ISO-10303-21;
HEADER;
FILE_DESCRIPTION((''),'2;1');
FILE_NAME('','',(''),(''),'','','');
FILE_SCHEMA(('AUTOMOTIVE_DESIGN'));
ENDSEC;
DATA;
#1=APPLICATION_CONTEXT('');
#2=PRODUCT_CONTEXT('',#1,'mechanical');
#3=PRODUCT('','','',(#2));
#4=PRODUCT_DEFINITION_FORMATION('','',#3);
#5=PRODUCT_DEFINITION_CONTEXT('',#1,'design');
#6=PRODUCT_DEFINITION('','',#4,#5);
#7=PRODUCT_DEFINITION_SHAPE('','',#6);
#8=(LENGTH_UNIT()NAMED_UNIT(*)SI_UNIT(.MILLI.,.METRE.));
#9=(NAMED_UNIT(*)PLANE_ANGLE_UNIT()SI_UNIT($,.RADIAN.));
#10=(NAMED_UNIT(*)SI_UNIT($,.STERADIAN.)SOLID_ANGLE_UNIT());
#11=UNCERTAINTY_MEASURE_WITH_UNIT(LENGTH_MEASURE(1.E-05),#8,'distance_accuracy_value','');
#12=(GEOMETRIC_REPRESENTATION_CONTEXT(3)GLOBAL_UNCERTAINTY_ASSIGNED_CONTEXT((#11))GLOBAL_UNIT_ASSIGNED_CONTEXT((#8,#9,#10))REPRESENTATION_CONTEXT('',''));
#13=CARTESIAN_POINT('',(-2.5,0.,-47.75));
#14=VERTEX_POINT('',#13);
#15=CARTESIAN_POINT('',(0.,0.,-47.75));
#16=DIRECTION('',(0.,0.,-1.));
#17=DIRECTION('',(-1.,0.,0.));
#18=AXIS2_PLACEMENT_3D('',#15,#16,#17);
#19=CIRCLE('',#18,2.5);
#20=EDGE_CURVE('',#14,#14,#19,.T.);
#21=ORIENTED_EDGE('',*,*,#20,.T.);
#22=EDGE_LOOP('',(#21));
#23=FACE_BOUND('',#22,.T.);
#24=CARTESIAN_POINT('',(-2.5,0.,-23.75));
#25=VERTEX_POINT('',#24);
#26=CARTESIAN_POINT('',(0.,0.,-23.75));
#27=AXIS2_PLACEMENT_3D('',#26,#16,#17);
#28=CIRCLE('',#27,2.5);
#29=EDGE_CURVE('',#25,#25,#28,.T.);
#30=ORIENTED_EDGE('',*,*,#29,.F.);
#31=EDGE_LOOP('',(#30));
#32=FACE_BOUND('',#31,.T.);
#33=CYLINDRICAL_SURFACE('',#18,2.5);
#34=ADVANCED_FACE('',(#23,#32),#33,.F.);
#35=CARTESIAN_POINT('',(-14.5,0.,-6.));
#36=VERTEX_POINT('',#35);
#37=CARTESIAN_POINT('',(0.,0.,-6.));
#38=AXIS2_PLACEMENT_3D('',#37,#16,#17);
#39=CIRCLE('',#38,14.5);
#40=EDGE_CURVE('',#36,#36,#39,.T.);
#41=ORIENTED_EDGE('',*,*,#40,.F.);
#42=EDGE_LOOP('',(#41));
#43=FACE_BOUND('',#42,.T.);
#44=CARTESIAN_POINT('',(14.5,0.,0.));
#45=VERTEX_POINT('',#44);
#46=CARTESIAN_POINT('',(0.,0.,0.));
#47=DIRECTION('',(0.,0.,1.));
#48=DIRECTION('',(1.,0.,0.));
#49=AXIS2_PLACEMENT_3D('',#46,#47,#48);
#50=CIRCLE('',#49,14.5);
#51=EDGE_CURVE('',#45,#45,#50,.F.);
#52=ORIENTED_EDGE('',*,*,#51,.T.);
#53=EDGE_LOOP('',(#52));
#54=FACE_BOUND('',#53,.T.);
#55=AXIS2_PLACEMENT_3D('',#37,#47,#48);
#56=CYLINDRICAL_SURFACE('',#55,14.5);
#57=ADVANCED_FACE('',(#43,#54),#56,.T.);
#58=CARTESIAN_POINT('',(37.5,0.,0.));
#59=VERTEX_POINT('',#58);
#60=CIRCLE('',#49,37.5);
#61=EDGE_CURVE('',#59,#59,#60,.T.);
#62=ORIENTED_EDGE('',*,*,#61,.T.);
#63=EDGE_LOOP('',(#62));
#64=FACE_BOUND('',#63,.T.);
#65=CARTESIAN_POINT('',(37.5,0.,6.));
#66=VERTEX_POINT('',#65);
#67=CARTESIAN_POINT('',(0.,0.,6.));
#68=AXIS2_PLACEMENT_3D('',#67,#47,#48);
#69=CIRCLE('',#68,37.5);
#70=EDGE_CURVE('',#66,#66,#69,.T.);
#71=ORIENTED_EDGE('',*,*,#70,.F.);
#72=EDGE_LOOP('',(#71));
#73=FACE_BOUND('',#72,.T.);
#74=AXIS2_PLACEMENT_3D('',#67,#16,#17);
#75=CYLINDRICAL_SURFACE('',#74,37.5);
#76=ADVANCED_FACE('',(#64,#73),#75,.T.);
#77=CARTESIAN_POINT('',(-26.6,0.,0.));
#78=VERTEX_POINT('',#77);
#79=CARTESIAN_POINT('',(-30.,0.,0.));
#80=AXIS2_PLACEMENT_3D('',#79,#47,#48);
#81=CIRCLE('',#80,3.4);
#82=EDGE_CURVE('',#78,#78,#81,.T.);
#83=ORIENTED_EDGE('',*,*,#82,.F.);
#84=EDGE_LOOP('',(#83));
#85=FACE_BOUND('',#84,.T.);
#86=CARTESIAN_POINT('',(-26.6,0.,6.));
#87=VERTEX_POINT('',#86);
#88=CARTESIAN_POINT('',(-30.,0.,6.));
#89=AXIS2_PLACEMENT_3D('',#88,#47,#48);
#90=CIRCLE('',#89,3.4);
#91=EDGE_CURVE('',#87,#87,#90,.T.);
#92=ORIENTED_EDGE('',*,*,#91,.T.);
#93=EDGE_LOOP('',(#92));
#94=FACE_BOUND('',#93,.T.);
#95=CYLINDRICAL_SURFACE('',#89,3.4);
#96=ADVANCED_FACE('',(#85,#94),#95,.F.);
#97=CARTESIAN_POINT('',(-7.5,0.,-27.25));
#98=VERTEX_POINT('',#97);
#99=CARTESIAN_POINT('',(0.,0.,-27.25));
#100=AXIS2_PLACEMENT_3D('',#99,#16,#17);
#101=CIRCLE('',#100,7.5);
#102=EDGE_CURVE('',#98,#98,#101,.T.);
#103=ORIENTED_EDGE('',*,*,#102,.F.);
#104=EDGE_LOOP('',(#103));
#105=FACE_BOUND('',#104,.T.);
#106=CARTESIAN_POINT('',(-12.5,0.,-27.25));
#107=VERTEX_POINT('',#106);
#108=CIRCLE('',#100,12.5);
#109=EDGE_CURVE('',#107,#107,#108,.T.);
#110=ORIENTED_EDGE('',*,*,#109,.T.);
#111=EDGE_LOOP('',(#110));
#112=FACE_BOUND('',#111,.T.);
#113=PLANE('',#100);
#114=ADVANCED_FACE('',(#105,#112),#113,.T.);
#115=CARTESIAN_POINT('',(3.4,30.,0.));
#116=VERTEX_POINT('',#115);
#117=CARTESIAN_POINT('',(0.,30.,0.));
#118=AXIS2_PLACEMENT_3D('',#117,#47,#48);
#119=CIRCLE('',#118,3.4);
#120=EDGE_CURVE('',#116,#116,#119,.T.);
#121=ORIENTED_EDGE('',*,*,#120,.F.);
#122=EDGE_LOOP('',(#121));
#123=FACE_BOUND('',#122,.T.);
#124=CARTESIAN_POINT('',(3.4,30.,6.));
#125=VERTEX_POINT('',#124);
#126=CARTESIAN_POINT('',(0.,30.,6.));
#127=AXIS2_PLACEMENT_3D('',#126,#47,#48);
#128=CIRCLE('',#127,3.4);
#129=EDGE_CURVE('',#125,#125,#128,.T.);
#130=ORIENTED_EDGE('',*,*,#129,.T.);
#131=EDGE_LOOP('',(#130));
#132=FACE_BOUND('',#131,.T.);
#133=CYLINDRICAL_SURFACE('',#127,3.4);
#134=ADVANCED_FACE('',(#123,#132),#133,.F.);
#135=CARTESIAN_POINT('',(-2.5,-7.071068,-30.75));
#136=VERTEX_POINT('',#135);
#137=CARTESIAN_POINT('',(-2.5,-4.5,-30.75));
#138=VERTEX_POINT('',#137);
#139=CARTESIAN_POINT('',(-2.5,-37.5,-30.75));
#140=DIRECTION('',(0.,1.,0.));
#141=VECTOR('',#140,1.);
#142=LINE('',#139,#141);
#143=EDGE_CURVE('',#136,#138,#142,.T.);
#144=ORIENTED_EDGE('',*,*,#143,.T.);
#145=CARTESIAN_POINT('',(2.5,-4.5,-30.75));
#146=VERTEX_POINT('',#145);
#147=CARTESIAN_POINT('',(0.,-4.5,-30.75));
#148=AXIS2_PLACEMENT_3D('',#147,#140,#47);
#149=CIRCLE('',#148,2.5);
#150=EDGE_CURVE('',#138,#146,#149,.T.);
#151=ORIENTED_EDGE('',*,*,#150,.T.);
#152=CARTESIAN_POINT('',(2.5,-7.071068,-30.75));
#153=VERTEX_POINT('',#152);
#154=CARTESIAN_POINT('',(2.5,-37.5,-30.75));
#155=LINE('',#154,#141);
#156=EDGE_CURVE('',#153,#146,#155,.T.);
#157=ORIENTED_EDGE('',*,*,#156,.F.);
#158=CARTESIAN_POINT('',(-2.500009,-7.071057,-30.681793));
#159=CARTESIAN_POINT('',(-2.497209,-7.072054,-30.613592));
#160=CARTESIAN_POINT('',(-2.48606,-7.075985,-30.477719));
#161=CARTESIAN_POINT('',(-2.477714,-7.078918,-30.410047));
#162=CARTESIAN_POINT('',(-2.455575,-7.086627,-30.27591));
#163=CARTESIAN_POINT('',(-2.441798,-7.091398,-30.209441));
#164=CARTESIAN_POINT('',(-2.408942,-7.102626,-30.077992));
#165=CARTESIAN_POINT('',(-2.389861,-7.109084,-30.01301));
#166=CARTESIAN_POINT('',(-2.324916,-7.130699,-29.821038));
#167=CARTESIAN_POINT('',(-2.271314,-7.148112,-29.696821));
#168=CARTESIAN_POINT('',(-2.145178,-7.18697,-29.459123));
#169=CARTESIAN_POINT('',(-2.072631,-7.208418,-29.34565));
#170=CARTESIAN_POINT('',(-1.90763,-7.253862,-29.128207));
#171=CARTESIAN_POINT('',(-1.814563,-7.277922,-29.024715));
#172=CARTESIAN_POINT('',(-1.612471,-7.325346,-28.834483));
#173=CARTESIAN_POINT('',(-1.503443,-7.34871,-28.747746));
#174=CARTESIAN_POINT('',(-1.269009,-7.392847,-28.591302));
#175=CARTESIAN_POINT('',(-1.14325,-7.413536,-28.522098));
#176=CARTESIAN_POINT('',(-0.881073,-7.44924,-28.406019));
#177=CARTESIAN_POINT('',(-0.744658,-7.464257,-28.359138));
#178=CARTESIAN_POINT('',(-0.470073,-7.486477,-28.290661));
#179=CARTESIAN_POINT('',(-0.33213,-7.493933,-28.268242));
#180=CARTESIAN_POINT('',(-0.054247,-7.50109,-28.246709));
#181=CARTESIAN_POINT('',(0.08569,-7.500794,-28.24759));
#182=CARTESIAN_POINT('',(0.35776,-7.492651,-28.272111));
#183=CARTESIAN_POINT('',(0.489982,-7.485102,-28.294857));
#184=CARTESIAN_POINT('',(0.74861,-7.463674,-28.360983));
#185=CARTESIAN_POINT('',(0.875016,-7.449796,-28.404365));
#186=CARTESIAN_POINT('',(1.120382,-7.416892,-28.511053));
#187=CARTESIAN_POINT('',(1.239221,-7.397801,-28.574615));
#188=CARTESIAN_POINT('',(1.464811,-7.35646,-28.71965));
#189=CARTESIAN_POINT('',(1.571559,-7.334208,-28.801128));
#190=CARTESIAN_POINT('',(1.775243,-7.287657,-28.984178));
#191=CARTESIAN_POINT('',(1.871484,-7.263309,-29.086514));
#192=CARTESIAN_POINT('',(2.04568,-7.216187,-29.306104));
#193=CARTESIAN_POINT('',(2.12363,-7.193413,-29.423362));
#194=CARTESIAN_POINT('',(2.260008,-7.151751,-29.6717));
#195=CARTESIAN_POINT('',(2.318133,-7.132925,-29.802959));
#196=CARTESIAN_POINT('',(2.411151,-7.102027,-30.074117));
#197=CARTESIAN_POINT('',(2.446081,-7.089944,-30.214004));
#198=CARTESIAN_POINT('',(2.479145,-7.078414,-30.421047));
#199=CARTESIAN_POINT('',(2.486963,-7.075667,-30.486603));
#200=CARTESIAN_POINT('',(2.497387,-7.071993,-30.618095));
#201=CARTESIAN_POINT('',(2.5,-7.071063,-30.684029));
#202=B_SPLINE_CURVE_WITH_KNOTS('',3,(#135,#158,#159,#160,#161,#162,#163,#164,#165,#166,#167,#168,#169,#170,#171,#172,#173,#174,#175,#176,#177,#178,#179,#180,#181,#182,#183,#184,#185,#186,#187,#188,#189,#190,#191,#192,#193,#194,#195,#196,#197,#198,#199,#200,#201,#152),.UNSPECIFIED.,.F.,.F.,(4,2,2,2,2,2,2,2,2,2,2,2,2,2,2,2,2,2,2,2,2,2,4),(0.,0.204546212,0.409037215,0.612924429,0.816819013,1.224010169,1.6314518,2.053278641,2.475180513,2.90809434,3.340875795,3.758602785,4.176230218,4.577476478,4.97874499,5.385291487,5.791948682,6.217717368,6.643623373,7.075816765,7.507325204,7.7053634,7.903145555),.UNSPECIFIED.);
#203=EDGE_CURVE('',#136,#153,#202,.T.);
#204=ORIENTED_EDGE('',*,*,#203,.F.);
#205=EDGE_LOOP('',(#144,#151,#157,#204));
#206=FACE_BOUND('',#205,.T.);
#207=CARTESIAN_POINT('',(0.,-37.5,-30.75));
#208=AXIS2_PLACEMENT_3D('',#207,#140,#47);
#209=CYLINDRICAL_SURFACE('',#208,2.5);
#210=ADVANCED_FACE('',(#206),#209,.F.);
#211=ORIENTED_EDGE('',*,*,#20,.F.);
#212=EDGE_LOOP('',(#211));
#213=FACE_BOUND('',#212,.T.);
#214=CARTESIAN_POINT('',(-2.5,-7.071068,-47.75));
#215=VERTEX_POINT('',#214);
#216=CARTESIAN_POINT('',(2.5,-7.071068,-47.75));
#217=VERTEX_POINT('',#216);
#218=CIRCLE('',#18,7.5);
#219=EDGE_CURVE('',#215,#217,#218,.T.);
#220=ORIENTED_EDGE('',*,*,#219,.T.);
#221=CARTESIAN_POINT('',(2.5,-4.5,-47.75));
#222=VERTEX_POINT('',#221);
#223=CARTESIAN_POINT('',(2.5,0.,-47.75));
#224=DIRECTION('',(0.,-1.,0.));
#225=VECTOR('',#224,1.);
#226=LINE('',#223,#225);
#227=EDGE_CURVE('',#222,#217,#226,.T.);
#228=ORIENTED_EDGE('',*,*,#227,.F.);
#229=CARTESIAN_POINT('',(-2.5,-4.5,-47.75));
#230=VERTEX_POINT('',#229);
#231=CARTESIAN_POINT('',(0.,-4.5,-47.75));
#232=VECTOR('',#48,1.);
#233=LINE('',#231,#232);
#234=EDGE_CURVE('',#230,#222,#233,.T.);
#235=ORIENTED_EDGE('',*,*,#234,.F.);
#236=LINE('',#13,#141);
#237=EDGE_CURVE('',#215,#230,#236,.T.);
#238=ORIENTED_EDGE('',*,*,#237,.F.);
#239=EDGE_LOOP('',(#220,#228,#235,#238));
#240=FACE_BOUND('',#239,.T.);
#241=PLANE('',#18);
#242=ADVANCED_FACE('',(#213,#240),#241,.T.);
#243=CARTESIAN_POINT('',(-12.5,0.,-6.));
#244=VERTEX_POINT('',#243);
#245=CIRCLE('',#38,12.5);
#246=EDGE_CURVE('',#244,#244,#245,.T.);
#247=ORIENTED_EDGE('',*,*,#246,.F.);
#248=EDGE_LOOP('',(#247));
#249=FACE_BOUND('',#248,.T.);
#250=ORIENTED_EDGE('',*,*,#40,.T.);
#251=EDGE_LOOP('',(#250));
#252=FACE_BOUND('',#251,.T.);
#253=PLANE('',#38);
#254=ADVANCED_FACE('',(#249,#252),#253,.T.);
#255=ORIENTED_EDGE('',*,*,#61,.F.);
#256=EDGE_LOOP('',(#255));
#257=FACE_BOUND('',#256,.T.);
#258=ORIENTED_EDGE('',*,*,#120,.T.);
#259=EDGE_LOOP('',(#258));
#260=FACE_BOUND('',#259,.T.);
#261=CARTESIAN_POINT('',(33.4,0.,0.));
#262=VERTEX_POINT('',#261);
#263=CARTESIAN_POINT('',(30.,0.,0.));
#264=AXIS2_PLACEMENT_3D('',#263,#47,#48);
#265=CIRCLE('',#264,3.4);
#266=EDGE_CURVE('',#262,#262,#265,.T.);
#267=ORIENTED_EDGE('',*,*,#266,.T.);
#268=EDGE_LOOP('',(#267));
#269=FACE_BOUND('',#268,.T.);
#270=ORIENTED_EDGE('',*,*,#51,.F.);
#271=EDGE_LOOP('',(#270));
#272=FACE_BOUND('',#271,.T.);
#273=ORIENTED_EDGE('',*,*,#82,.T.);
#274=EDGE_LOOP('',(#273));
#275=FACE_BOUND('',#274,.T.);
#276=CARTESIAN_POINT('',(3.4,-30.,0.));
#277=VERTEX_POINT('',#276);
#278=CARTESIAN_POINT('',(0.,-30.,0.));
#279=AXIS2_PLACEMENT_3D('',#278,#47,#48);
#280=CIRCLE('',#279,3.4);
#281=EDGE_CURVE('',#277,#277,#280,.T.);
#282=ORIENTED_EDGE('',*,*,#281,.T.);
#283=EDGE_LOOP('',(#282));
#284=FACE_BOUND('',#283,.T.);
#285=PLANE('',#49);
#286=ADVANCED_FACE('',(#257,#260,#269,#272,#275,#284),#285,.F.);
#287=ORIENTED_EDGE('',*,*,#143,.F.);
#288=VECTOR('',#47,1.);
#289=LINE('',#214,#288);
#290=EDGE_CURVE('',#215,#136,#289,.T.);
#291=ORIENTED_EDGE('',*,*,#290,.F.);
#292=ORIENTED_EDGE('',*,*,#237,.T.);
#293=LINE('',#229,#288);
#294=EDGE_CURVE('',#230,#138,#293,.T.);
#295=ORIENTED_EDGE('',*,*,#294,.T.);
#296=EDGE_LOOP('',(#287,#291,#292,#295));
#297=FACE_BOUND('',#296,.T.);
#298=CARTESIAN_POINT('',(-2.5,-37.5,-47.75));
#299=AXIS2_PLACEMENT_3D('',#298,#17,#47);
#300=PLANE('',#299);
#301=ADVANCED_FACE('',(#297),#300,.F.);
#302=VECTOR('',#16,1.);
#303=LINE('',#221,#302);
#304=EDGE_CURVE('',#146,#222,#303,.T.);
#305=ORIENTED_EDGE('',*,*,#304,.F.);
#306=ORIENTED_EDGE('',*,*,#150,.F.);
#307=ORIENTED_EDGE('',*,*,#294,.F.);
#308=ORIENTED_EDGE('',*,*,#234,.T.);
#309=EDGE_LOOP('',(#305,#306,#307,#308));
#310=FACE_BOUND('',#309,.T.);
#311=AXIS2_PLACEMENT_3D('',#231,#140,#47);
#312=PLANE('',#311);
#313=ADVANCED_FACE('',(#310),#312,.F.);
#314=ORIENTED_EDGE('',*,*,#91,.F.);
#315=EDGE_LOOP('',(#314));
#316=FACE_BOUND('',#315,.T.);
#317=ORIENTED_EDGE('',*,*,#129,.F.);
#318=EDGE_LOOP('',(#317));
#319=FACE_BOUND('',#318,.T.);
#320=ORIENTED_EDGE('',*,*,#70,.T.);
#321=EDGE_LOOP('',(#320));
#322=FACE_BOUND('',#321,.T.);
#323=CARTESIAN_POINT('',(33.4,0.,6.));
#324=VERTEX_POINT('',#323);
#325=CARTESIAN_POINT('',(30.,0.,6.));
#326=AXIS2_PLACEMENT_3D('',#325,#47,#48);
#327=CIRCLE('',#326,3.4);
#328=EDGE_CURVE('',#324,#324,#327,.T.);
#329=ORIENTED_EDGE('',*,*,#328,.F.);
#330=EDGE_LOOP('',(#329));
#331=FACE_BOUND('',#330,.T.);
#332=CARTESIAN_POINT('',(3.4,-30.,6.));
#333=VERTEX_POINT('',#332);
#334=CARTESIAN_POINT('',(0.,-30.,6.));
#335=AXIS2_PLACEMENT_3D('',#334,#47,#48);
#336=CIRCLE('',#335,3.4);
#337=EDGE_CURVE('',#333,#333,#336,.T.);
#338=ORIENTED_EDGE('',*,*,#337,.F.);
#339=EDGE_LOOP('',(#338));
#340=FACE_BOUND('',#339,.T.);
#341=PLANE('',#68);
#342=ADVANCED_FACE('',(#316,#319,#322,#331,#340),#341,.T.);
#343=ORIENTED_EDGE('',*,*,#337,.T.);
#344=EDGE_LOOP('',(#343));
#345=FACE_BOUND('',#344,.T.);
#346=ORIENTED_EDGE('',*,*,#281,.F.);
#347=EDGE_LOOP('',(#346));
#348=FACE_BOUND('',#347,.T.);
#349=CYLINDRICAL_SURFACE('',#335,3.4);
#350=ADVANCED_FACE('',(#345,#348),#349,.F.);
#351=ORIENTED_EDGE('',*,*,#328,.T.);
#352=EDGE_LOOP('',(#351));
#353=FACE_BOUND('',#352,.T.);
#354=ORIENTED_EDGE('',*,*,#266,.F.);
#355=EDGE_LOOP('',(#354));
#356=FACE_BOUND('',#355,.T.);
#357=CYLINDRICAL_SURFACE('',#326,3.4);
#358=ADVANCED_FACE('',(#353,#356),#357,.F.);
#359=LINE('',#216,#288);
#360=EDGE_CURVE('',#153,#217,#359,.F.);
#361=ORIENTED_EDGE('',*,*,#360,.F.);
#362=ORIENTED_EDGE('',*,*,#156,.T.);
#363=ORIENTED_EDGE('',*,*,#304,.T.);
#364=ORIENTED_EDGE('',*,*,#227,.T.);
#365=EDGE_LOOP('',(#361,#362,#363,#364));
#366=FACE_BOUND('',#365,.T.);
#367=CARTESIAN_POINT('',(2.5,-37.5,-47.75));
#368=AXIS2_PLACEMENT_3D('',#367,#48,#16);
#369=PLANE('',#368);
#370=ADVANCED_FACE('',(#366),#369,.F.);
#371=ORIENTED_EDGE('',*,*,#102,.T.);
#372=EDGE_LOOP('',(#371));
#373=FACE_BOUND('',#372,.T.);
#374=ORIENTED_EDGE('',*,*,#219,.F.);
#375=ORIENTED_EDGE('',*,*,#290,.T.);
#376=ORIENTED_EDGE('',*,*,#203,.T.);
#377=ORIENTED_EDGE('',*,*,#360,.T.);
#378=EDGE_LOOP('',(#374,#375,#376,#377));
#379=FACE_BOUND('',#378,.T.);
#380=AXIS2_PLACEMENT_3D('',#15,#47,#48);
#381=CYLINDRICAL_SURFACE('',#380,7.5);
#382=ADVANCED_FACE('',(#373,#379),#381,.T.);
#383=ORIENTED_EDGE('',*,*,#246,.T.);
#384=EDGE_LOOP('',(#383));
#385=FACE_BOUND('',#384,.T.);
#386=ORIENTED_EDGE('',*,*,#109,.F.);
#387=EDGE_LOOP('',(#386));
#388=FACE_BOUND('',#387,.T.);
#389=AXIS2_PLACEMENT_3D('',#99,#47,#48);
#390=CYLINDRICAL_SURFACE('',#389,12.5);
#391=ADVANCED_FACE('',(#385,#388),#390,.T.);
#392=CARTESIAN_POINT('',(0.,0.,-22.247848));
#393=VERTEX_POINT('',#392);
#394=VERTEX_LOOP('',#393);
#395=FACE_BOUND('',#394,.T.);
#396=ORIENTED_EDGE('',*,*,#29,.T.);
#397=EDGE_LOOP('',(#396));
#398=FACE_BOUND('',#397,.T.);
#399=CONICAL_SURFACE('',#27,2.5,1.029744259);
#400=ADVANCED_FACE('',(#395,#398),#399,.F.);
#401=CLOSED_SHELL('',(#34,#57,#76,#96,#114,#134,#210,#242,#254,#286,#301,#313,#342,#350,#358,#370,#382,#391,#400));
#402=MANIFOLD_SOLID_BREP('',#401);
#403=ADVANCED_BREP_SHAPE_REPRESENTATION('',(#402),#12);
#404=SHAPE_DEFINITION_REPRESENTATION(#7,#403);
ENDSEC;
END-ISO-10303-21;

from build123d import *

# Parameters (mm, degrees)
SKETCH1_R                                     = 37.5
BOSS_EXTRUDE1_DEPTH                           = 6
TROU_POUR_TARAUDAGE_POUR_TROU_TARAUD_M8_D     = 6.8
TROU_POUR_TARAUDAGE_POUR_TROU_TARAUD_M8_DEPTH = 23
TROU_POUR_TARAUDAGE_POUR_TROU_TARAUD_M8_TIP   = 2.042926105
SKETCH6_R                                     = 14.5
BOSS_EXTRU_1_DEPTH                            = 6
SKETCH5_R                                     = 12.5
BOSS_EXTRU_2_DEPTH                            = 21.25
ESQUISSE11_R                                  = 7.5
BOSS_EXTRU_6_DEPTH                            = 20.5
TROU_POUR_TARAUDAGE_POUR_TROU_TARAUD_M6_D     = 5
TROU_POUR_TARAUDAGE_POUR_TROU_TARAUD_M6_DEPTH = 24
TROU_POUR_TARAUDAGE_POUR_TROU_TARAUD_M6_TIP   = 1.502151548
ENL_V_MAT_EXTRU_1_DEPTH                       = 34


with BuildPart() as part:
    # Sketch1 → Boss-Extrude1 (new body)
    with BuildSketch(Plane.XY):
        Circle(SKETCH1_R)
    extrude(amount=BOSS_EXTRUDE1_DEPTH)

    # Trou pour taraudage pour trou taraudé M81
    with Locations(Plane.XY.offset(6)):
        with Locations((-30, 0), (0, 30), (30, 0), (0, -30)):
            Hole(TROU_POUR_TARAUDAGE_POUR_TROU_TARAUD_M8_D / 2, depth=TROU_POUR_TARAUDAGE_POUR_TROU_TARAUD_M8_DEPTH)
            with Locations((0, 0, -(TROU_POUR_TARAUDAGE_POUR_TROU_TARAUD_M8_DEPTH + TROU_POUR_TARAUDAGE_POUR_TROU_TARAUD_M8_TIP / 2))):  # 118° drill point
                Cone(0, TROU_POUR_TARAUDAGE_POUR_TROU_TARAUD_M8_D / 2, TROU_POUR_TARAUDAGE_POUR_TROU_TARAUD_M8_TIP, mode=Mode.SUBTRACT)

    # Sketch6 → Boss.-Extru.1 (add)
    with BuildSketch(Plane(origin=(0, 0, 0), x_dir=(-1, 0, 0), z_dir=(0, 0, -1))):
        Circle(SKETCH6_R)
    extrude(amount=BOSS_EXTRU_1_DEPTH)

    # Sketch5 → Boss.-Extru.2 (add)
    with BuildSketch(Plane(origin=(0, 0, -6), x_dir=(-1, 0, 0), z_dir=(0, 0, -1))):
        Circle(SKETCH5_R)
    extrude(amount=BOSS_EXTRU_2_DEPTH)

    # Esquisse11 → Boss.-Extru.6 (add)
    with BuildSketch(Plane(origin=(0, 0, -27.25), x_dir=(-1, 0, 0), z_dir=(0, 0, -1))):
        Circle(ESQUISSE11_R)
    extrude(amount=BOSS_EXTRU_6_DEPTH)

    # Trou pour taraudage pour trou taraudé M61
    with Locations(Plane(origin=(0, 0, -47.75), x_dir=(-1, 0, 0), z_dir=(0, 0, -1))):
        with Locations((0, 0)):
            Hole(TROU_POUR_TARAUDAGE_POUR_TROU_TARAUD_M6_D / 2, depth=TROU_POUR_TARAUDAGE_POUR_TROU_TARAUD_M6_DEPTH)
            with Locations((0, 0, -(TROU_POUR_TARAUDAGE_POUR_TROU_TARAUD_M6_DEPTH + TROU_POUR_TARAUDAGE_POUR_TROU_TARAUD_M6_TIP / 2))):  # 118° drill point
                Cone(0, TROU_POUR_TARAUDAGE_POUR_TROU_TARAUD_M6_D / 2, TROU_POUR_TARAUDAGE_POUR_TROU_TARAUD_M6_TIP, mode=Mode.SUBTRACT)

    # Esquisse5 → Enlèv. mat.-Extru.1 (cut, through all)
    with BuildSketch(Plane(origin=(0, -4.5, 0), x_dir=(1, 0, 0), z_dir=(0, 1, 0))):
        with BuildLine():
            Line((2.5, 47.75), (2.5, 30.75))
            ThreePointArc((2.5, 30.75), (0, 28.25), (-2.5, 30.75))
            Line((-2.5, 30.75), (-2.5, 47.75))
            ThreePointArc((-2.5, 47.75), (0, 50.25), (2.5, 47.75))
        make_face()
    extrude(amount=-ENL_V_MAT_EXTRU_1_DEPTH, mode=Mode.SUBTRACT)


solid = part.part
